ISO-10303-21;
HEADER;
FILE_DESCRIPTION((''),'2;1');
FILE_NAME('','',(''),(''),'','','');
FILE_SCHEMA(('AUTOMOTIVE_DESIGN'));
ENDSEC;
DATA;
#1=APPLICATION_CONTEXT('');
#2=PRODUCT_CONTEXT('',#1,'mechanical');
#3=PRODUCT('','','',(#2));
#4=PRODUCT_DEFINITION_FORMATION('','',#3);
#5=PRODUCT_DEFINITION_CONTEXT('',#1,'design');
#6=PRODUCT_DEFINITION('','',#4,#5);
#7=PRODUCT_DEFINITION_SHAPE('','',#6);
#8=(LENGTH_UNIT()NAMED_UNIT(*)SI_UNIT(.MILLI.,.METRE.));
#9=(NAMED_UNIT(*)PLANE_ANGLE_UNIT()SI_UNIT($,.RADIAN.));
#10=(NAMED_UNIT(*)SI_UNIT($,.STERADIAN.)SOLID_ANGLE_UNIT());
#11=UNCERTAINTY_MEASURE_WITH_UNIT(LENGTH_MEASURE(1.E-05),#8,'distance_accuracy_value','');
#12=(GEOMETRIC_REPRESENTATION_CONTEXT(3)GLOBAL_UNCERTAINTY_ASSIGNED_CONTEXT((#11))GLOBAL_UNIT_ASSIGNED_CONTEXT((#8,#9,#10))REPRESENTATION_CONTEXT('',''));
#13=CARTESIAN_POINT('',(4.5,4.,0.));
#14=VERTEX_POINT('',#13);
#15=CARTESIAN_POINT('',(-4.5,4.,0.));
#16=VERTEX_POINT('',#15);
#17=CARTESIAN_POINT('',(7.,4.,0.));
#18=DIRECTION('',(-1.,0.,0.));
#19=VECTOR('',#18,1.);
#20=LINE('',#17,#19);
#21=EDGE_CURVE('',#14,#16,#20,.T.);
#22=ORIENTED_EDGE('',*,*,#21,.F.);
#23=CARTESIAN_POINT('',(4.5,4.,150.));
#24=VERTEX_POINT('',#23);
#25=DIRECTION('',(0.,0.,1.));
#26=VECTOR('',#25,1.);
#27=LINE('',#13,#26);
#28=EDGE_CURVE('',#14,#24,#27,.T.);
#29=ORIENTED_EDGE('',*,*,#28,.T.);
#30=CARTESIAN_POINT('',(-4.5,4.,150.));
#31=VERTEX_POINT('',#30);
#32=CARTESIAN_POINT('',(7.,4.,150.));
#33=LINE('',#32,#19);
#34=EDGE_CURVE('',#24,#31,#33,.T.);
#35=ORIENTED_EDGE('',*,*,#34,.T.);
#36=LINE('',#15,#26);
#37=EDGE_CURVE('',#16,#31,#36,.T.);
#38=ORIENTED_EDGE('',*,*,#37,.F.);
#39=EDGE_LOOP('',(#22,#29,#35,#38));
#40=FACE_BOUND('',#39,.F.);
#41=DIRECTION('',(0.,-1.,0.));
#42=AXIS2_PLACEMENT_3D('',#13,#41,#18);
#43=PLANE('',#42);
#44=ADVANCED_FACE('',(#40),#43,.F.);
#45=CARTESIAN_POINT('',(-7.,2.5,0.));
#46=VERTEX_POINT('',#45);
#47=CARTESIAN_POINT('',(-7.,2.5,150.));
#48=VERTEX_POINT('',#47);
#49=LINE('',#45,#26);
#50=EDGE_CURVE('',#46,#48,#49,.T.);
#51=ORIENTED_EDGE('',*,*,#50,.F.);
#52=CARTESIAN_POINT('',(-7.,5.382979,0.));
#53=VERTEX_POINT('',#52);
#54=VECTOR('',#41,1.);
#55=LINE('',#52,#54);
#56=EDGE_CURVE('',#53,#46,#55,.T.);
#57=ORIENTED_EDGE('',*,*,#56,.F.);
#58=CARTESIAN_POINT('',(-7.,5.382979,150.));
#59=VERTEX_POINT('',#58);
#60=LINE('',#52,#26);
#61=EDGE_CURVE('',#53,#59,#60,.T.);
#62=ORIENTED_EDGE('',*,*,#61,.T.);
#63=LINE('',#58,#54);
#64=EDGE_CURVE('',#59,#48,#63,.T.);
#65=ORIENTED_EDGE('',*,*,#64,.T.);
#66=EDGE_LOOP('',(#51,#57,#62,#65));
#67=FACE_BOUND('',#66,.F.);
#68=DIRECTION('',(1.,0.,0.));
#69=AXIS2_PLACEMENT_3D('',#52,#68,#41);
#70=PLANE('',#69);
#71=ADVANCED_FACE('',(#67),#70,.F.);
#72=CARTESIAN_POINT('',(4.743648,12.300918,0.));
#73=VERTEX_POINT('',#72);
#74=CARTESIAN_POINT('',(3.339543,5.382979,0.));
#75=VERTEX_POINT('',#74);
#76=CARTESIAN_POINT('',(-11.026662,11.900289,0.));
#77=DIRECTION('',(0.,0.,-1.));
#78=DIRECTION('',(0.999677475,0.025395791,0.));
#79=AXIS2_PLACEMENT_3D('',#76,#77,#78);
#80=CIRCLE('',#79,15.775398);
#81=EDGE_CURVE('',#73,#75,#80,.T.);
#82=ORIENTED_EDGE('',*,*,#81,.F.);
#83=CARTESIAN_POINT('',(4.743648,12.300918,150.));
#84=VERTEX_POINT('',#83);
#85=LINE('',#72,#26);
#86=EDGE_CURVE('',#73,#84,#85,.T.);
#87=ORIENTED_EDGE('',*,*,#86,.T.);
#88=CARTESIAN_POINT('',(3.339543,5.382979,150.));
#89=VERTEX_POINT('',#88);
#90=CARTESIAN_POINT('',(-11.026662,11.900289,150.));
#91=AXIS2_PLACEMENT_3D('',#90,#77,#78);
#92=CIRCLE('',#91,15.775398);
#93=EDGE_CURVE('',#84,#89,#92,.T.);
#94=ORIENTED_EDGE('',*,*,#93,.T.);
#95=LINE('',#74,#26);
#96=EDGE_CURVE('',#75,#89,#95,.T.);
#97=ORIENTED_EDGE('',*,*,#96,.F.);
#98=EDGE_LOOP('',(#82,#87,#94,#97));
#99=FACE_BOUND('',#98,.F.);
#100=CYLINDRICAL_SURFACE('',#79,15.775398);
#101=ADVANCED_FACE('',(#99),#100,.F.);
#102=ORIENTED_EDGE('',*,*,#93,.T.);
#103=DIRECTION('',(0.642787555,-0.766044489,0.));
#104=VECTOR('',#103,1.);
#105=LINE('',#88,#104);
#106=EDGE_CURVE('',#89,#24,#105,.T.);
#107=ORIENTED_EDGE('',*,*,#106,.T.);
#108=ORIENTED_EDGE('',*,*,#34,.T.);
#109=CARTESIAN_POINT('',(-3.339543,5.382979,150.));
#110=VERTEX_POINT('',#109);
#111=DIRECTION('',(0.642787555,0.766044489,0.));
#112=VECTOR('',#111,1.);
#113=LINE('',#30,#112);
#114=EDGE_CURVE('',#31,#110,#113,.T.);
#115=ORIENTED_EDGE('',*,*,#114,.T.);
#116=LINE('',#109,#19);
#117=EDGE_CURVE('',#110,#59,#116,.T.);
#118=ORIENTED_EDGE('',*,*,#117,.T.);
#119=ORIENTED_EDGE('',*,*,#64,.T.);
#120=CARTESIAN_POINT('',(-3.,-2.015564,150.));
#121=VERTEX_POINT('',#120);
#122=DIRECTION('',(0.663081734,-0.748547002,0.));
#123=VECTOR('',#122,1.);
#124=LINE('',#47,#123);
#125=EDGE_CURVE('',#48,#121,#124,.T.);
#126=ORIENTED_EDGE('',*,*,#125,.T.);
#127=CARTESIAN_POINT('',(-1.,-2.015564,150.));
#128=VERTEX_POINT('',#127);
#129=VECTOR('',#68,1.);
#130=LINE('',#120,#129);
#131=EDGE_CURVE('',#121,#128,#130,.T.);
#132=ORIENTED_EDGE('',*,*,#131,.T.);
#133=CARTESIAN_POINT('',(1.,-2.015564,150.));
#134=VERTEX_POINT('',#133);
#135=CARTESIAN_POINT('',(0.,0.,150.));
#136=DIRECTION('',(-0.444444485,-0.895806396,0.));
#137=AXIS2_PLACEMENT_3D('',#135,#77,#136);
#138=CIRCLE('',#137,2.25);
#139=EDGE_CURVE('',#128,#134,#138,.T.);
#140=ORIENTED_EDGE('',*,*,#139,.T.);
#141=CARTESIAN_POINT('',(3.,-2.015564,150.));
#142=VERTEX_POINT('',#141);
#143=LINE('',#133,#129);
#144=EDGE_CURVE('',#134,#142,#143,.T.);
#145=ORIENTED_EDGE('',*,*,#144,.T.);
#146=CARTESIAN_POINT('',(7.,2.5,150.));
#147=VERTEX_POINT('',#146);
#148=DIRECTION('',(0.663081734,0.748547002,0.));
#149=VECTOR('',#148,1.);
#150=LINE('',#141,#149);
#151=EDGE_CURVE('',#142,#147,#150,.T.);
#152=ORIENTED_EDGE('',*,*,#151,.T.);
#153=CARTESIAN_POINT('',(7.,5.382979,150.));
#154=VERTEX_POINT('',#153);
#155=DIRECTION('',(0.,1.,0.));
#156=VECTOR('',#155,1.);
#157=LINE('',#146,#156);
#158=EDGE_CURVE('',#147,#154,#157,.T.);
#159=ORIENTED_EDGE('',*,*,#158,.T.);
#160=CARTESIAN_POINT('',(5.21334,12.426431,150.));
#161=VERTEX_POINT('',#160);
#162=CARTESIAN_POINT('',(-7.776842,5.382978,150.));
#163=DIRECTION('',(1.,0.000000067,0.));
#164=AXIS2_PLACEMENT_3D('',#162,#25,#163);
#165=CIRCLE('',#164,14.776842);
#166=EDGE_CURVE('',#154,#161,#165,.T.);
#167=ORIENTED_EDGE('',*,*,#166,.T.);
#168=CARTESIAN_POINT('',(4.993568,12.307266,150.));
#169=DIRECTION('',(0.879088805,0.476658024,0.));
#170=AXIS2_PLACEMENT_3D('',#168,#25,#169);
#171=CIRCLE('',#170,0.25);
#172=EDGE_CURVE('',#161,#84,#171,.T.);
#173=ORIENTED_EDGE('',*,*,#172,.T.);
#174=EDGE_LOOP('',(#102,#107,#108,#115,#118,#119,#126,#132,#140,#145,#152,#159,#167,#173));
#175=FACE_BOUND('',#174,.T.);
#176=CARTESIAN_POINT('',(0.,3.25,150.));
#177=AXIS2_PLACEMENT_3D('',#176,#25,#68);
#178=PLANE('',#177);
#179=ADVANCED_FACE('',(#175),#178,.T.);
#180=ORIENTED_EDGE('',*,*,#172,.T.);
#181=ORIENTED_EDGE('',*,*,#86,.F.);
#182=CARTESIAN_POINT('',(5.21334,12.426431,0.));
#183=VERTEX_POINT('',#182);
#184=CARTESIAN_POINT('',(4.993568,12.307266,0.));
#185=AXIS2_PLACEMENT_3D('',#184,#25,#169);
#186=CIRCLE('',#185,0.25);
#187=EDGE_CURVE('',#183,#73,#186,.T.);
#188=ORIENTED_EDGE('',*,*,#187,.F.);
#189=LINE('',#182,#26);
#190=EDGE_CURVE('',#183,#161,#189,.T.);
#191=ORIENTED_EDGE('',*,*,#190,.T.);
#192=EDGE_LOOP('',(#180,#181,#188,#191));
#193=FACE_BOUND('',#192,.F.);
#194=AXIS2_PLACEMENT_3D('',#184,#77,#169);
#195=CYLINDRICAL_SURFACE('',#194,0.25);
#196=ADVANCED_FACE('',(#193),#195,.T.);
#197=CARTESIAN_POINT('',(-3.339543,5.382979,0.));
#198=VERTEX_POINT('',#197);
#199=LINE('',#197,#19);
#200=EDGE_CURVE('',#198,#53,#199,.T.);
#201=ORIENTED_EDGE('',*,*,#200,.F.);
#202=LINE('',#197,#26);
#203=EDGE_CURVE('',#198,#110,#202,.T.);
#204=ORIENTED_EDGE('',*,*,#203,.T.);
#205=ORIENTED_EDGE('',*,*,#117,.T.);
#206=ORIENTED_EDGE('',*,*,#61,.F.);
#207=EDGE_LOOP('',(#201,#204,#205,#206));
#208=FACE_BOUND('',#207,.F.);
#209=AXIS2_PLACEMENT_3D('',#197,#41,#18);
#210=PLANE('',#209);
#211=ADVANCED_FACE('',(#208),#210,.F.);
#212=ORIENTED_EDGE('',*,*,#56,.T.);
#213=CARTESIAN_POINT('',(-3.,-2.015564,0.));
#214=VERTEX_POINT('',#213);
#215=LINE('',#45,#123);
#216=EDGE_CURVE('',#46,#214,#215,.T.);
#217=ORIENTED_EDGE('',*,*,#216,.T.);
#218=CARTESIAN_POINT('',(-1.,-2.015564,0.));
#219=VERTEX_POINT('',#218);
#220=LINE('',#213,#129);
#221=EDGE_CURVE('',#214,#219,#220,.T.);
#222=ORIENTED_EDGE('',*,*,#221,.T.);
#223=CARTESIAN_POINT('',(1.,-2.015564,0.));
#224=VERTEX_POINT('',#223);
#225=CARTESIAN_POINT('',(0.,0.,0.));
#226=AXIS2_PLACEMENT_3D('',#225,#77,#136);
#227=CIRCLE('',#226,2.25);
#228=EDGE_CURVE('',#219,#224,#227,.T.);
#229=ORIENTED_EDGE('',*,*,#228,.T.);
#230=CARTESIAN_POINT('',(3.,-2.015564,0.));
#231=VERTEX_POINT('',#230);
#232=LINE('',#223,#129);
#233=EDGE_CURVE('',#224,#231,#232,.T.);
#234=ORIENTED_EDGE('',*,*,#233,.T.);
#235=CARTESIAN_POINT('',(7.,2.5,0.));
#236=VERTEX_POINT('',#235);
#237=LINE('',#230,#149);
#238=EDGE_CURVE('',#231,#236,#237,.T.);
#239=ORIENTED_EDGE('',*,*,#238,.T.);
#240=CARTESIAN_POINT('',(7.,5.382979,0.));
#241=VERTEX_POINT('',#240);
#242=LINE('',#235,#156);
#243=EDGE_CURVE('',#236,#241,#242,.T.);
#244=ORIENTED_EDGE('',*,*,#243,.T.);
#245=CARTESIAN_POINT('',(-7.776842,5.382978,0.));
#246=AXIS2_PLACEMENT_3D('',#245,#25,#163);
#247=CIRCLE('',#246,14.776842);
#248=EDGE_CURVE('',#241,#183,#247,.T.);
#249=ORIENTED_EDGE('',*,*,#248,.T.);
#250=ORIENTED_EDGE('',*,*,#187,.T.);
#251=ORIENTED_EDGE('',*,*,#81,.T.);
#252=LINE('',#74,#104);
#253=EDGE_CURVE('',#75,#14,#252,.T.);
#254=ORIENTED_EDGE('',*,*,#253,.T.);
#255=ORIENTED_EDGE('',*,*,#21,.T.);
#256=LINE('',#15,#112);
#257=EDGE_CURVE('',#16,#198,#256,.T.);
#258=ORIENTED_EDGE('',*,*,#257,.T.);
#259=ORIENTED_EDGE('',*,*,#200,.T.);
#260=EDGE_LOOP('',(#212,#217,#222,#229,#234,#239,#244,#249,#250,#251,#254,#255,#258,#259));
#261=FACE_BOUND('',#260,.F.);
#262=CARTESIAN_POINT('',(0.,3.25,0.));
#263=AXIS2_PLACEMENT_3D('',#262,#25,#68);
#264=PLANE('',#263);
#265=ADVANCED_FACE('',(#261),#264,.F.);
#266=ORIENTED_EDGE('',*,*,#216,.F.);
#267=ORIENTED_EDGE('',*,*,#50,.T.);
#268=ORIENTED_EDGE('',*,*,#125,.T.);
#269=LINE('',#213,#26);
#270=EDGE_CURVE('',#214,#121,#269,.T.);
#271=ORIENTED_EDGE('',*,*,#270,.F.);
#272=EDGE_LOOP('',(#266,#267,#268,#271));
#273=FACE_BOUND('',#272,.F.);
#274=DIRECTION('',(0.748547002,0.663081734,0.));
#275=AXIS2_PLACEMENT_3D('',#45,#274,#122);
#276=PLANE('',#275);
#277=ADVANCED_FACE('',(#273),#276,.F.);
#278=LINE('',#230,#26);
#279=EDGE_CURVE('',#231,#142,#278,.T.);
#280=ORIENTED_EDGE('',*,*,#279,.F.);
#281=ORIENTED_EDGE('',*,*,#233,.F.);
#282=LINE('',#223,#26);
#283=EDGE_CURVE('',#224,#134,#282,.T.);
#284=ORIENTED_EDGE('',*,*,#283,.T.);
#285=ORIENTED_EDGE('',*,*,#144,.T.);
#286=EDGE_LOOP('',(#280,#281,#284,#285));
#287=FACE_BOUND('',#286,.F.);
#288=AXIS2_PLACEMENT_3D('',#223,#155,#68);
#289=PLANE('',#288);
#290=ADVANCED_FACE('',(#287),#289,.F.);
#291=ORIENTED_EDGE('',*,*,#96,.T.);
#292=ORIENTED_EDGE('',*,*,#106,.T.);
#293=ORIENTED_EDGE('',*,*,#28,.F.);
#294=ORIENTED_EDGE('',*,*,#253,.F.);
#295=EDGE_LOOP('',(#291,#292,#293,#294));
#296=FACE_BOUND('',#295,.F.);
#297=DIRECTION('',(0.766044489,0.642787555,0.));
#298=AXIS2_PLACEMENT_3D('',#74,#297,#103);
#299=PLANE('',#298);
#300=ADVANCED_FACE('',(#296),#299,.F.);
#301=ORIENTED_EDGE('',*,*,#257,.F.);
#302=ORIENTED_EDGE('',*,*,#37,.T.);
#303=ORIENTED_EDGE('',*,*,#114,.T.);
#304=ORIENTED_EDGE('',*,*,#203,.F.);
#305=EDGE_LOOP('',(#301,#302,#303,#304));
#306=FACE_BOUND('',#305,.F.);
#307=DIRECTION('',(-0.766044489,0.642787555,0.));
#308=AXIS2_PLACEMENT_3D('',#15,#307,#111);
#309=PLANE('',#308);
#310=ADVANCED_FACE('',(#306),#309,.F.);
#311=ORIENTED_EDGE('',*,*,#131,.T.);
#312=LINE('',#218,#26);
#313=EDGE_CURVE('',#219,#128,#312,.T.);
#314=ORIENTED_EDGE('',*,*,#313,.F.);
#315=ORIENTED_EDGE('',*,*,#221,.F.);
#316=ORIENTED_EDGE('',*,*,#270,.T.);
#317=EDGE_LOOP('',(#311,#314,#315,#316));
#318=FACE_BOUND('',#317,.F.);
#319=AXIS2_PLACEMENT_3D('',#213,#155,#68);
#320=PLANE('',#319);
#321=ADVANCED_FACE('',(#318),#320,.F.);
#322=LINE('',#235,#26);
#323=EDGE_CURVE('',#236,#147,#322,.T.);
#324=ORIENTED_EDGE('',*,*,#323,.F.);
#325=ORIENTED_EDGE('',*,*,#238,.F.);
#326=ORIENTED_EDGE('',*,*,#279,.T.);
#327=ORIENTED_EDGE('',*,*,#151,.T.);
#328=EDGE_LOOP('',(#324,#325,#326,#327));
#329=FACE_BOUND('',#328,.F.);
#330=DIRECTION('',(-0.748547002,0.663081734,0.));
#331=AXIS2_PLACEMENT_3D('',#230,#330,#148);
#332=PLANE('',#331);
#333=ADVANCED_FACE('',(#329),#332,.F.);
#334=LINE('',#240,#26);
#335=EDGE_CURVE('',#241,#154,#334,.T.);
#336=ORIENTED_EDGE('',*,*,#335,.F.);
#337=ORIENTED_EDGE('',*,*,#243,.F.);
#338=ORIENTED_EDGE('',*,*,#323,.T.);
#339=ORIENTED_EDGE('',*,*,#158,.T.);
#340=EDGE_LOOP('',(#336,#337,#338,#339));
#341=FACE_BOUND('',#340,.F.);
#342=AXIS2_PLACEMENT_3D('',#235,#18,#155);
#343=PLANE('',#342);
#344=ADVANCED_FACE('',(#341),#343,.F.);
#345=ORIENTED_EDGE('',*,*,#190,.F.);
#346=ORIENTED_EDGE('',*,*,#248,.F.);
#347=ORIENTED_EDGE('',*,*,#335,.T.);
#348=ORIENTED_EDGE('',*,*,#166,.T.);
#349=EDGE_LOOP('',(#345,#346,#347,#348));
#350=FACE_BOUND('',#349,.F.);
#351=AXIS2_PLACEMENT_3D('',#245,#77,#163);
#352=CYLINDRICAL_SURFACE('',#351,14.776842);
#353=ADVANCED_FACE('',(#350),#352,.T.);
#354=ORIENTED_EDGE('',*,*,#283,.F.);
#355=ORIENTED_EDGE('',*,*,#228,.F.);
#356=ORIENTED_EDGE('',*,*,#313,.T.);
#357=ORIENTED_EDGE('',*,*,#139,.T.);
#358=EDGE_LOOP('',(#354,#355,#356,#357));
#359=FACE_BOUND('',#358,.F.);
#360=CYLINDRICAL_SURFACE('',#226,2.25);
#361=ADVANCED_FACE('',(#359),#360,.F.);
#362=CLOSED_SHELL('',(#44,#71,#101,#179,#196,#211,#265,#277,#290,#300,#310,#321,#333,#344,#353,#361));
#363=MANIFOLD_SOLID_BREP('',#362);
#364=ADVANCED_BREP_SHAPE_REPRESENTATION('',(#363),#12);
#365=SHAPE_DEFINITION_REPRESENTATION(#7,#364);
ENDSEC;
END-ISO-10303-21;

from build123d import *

# Parameters (mm, degrees)
F1_DEPTH = 150


with BuildPart() as f1:
    # F0 (on Top) → F1 (new body)
    with BuildSketch(Plane.XY):
        Polygon((7, 2.5), (7, 4), (4.5, 4), (-4.5, 4), (-7, 4), (-7, 2.5), align=None)
        Polygon((4.5, 4), (7, 4), (7, 5.382979), (3.339543, 5.382979), align=None)
        with BuildLine():
            Line((3, -2.015564), (7, 2.5))
            Line((7, 2.5), (-7, 2.5))
            Line((-7, 2.5), (-3, -2.015564))
            Line((-3, -2.015564), (-1, -2.015564))
            ThreePointArc((-1, -2.015564), (0, 2.25), (1, -2.015564))
            Line((1, -2.015564), (3, -2.015564))
        make_face()
        with BuildLine():
            Line((3.339543, 5.382979), (7, 5.382979))
            ThreePointArc((7, 5.382979), (6.546372, 9.016241), (5.21334, 12.426431))
            ThreePointArc((5.21334, 12.426431), (4.929027, 12.548792), (4.743648, 12.300918))
            ThreePointArc((4.743648, 12.300918), (4.433508, 8.762404), (3.339543, 5.382979))
        make_face()
        Polygon((-7, 4), (-4.5, 4), (-3.339543, 5.382979), (-7, 5.382979), align=None)
    extrude(amount=F1_DEPTH)


solid = f1.part
